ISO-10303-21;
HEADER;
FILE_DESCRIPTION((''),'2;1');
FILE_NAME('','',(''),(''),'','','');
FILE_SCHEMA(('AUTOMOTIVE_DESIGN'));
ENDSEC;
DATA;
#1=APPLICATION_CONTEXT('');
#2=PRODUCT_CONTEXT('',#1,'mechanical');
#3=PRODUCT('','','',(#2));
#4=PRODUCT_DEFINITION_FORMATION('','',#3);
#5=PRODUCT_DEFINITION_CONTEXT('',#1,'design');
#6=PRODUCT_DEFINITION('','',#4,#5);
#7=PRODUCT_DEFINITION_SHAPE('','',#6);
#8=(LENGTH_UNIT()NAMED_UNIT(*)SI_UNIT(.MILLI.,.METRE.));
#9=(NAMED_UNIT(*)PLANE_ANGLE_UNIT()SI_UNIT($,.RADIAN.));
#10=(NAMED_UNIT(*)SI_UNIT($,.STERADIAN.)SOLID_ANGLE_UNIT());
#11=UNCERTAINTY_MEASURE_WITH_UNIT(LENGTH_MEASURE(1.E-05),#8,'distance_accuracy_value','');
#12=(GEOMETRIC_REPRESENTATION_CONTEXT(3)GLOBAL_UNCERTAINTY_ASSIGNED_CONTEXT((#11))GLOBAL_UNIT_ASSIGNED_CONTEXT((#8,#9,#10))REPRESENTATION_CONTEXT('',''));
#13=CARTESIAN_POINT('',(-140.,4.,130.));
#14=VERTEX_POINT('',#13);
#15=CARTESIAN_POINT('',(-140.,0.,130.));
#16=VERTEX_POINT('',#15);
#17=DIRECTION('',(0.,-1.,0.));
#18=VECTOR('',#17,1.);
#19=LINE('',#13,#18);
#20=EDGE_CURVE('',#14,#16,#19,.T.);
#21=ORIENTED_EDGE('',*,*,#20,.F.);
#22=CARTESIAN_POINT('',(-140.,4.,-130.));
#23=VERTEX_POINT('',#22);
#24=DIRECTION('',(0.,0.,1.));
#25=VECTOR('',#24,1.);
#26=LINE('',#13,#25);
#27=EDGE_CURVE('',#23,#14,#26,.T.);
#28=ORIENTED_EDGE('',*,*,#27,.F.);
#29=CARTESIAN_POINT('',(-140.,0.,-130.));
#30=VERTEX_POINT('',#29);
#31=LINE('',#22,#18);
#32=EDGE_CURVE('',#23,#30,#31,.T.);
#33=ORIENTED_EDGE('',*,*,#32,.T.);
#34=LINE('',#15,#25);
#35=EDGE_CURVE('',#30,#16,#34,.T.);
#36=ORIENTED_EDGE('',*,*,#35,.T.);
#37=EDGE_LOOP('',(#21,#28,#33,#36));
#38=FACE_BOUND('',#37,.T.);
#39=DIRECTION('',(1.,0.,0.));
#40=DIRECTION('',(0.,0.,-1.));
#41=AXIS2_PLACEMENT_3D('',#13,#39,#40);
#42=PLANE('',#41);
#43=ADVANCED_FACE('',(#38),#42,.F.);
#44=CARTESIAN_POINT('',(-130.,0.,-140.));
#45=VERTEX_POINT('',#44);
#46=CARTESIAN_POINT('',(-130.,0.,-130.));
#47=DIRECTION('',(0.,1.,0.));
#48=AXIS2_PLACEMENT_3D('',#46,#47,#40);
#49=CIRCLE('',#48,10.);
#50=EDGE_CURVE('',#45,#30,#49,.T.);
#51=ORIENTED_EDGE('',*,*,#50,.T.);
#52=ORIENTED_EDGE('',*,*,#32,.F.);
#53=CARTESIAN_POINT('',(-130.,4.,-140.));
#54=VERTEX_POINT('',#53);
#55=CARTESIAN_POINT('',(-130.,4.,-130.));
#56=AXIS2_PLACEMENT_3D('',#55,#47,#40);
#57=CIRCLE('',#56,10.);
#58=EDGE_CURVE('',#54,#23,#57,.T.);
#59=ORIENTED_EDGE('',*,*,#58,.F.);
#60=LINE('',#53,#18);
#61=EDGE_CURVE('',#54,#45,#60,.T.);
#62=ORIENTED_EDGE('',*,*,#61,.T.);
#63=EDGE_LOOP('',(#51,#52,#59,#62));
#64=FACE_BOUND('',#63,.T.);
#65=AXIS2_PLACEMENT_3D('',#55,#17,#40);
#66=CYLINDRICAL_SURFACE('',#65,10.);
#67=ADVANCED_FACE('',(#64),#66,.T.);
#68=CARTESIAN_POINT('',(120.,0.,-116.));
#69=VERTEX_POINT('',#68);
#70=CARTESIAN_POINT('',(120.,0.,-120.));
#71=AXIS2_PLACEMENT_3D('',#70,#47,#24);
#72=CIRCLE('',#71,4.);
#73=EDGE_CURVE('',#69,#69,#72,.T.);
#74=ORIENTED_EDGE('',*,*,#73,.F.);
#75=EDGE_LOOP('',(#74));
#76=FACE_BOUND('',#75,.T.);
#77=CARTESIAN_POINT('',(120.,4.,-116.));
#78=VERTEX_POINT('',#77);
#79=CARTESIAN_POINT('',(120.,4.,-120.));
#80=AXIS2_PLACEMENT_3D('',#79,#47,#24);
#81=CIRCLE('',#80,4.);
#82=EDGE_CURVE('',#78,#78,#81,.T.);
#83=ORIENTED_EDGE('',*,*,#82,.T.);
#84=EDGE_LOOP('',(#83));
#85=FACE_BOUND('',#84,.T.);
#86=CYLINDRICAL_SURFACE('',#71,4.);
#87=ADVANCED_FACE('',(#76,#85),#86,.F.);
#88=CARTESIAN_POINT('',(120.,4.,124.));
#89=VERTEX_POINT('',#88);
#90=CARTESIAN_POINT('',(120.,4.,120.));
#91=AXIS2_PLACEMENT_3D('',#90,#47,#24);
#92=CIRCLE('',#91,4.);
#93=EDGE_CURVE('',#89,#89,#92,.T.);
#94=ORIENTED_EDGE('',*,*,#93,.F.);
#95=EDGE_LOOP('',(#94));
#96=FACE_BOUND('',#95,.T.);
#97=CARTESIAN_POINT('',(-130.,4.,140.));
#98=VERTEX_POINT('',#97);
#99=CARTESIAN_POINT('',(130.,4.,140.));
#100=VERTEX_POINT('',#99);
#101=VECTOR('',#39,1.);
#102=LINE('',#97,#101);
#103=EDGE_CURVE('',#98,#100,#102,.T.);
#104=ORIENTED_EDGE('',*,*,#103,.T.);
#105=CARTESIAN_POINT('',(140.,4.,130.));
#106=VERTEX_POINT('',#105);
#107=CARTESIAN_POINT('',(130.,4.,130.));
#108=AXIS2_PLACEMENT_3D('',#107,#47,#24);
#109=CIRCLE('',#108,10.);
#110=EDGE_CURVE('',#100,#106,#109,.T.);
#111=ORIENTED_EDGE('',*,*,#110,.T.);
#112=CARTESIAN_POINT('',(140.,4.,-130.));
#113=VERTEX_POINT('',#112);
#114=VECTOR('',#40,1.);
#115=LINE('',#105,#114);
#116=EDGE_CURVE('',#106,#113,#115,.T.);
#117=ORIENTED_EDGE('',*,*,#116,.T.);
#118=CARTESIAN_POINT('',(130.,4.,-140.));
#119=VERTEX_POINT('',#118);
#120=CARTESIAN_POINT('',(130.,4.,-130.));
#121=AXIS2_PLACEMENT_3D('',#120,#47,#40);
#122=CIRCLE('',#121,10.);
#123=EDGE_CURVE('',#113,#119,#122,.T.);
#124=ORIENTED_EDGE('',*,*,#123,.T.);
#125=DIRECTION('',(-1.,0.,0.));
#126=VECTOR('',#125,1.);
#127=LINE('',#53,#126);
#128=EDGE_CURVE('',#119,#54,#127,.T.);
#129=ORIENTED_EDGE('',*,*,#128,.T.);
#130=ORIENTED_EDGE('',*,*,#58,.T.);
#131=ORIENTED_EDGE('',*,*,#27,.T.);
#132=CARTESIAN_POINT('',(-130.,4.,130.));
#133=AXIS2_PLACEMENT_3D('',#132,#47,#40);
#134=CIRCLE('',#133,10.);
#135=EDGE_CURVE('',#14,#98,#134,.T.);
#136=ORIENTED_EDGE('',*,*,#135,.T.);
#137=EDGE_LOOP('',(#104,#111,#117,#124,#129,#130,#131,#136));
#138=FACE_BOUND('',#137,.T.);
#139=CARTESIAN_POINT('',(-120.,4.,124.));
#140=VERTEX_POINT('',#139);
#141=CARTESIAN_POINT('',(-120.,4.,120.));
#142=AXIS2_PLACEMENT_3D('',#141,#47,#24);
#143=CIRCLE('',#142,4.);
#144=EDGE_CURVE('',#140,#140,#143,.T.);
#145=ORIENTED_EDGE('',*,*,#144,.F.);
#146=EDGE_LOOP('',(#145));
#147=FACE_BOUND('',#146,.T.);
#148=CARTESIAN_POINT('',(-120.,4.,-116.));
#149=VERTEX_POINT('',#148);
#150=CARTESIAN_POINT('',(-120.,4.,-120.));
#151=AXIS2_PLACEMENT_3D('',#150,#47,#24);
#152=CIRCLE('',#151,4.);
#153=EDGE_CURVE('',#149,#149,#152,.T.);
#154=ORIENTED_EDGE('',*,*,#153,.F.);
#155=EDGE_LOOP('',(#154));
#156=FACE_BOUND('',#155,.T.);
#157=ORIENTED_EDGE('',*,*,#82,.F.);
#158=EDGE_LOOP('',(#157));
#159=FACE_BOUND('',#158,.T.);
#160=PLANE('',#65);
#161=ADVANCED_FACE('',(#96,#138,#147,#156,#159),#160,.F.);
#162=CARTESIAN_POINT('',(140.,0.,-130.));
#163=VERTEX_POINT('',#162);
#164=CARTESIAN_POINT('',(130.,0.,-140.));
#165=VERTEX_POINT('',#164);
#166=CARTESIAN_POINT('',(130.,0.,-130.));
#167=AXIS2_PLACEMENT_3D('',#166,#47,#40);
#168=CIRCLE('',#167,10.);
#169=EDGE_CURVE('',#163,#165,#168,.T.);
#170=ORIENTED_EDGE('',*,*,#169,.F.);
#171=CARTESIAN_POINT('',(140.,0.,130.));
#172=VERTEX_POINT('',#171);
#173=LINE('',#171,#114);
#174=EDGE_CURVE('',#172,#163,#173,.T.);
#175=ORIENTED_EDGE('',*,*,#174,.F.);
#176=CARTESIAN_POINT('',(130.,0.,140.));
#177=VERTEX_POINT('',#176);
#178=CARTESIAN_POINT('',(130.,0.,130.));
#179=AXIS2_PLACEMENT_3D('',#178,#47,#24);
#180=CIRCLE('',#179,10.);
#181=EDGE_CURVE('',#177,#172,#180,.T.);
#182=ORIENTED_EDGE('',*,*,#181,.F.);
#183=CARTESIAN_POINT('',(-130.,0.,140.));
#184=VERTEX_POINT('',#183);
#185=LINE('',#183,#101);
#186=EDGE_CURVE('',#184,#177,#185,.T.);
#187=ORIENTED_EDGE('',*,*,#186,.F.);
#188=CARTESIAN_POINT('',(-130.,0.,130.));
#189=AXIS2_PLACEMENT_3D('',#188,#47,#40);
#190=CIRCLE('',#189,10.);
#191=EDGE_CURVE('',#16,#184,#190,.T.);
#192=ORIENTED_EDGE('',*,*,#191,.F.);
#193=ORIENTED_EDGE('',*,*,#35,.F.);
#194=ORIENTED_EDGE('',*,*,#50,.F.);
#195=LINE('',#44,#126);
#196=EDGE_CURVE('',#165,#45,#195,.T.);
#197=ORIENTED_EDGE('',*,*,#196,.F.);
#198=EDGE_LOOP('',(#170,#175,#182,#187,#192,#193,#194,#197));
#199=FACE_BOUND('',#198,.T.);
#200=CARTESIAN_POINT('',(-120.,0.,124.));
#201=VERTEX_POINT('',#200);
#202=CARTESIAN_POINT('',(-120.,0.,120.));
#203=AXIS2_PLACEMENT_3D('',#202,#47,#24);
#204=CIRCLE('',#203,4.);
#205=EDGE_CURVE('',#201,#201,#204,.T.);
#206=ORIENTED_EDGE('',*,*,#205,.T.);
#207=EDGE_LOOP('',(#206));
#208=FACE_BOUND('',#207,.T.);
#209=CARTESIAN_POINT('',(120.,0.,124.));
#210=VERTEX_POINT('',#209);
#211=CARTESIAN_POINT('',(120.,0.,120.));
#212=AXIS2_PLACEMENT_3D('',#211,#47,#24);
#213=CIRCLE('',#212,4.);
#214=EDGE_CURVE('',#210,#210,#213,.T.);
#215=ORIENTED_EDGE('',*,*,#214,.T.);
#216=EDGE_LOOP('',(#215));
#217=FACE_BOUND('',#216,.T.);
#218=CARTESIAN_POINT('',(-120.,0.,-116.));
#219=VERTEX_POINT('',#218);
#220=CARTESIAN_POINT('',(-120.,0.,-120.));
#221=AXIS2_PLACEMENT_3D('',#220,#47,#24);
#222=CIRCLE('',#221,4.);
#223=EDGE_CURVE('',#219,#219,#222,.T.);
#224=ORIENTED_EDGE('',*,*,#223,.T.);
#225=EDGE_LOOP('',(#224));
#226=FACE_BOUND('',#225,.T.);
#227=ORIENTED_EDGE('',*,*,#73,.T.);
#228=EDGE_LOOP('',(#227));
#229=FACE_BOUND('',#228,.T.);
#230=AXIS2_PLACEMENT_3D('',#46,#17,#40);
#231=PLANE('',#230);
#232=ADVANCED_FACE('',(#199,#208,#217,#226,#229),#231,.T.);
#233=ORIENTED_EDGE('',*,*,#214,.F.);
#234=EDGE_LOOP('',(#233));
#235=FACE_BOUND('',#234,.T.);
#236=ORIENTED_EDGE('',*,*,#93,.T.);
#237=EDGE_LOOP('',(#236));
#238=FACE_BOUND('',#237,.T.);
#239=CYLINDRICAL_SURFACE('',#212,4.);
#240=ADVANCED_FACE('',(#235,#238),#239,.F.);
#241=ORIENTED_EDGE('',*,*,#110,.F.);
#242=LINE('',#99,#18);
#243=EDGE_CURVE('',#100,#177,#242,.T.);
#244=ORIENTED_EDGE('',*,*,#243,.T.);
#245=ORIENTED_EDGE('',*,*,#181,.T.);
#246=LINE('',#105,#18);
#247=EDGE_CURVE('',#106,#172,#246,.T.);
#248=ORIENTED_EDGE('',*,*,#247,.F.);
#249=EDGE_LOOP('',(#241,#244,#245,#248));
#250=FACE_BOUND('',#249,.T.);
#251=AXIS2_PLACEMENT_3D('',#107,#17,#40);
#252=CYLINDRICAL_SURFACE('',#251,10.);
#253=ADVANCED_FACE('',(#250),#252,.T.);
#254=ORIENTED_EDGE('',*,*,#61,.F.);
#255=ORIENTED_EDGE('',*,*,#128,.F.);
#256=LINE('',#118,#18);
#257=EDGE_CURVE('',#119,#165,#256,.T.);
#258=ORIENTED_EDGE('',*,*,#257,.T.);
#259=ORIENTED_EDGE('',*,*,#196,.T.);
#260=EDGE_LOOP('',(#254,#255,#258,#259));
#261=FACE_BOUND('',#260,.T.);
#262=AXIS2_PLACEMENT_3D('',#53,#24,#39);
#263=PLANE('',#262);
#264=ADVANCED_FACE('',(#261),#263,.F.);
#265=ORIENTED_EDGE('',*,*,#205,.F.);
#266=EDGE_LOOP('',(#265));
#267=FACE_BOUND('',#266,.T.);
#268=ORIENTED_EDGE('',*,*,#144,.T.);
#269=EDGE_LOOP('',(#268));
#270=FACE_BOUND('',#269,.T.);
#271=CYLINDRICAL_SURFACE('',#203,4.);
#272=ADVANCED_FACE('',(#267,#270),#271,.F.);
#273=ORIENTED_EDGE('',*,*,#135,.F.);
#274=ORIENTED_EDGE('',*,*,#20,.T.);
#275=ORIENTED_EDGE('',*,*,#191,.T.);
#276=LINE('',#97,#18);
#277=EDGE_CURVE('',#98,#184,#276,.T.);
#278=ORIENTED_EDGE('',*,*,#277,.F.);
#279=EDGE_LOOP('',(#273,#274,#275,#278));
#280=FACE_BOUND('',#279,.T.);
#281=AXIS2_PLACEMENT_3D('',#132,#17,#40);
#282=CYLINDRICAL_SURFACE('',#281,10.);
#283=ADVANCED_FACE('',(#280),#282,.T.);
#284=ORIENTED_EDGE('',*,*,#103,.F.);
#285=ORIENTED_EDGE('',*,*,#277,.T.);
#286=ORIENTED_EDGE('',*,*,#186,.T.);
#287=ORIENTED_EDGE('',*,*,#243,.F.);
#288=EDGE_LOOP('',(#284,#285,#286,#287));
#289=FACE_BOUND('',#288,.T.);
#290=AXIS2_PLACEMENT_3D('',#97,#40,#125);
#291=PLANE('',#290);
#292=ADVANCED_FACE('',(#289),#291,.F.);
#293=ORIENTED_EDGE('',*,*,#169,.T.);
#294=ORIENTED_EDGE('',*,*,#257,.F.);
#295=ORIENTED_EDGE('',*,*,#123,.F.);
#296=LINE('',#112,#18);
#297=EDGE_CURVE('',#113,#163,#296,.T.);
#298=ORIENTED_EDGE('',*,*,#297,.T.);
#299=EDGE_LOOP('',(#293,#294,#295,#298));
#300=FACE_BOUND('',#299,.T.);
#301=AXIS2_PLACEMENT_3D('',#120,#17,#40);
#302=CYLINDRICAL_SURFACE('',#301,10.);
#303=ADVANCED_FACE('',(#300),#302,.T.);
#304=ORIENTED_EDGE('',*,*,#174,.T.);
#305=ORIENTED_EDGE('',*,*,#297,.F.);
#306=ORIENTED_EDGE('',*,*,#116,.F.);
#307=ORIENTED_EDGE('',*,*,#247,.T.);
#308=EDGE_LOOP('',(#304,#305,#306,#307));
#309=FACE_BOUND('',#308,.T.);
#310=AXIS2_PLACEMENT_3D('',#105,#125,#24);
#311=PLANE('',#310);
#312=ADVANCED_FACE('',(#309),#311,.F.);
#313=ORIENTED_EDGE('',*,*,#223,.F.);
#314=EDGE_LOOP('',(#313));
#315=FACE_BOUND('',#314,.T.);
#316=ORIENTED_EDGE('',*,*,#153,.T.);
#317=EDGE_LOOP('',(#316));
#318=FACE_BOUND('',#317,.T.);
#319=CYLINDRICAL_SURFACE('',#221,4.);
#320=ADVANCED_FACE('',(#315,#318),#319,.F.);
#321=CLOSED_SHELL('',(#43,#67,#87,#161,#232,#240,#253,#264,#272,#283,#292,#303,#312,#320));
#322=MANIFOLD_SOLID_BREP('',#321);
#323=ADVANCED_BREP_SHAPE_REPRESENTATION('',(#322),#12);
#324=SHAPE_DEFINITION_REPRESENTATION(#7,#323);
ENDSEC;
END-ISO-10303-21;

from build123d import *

# Parameters (mm, degrees)
DODANIE_WYCI_GNI_CIE1_DEPTH = 4
SZKIC2_R                    = 4
WYTNIJ_WYCI_GNI_CIE1_DEPTH  = 199.030300712


with BuildPart() as part:
    # Szkic1 → Dodanie-wyciągnięcie1 (new body)
    with BuildSketch(Plane(origin=(0, 0, 0), x_dir=(1, 0, 0), z_dir=(0, 1, 0))):
        with BuildLine():
            Line((-130, -140), (130, -140))
            ThreePointArc((130, -140), (137.071067812, -137.071067812), (140, -130))
            Line((140, -130), (140, 130))
            ThreePointArc((140, 130), (137.071067812, 137.071067812), (130, 140))
            Line((130, 140), (-130, 140))
            ThreePointArc((-130, 140), (-137.071067812, 137.071067812), (-140, 130))
            Line((-140, 130), (-140, -130))
            ThreePointArc((-140, -130), (-137.071067812, -137.071067812), (-130, -140))
        make_face()
    extrude(amount=DODANIE_WYCI_GNI_CIE1_DEPTH)

    # Szkic2 → Wytnij-wyciągnięcie1 (cut, through all)
    with BuildSketch(Plane(origin=(0, 4, 0), x_dir=(1, 0, 0), z_dir=(0, 1, 0))):
        with Locations(Location((120, 120, 0), (0, 0, 270))):
            Circle(SZKIC2_R)
        with Locations(Location((120, -120, 0), (0, 0, 270))):
            Circle(SZKIC2_R)
        with Locations(Location((-120, -120, 0), (0, 0, 270))):
            Circle(SZKIC2_R)
        with Locations(Location((-120, 120, 0), (0, 0, 270))):
            Circle(SZKIC2_R)
    extrude(amount=-WYTNIJ_WYCI_GNI_CIE1_DEPTH, mode=Mode.SUBTRACT)


solid = part.part
